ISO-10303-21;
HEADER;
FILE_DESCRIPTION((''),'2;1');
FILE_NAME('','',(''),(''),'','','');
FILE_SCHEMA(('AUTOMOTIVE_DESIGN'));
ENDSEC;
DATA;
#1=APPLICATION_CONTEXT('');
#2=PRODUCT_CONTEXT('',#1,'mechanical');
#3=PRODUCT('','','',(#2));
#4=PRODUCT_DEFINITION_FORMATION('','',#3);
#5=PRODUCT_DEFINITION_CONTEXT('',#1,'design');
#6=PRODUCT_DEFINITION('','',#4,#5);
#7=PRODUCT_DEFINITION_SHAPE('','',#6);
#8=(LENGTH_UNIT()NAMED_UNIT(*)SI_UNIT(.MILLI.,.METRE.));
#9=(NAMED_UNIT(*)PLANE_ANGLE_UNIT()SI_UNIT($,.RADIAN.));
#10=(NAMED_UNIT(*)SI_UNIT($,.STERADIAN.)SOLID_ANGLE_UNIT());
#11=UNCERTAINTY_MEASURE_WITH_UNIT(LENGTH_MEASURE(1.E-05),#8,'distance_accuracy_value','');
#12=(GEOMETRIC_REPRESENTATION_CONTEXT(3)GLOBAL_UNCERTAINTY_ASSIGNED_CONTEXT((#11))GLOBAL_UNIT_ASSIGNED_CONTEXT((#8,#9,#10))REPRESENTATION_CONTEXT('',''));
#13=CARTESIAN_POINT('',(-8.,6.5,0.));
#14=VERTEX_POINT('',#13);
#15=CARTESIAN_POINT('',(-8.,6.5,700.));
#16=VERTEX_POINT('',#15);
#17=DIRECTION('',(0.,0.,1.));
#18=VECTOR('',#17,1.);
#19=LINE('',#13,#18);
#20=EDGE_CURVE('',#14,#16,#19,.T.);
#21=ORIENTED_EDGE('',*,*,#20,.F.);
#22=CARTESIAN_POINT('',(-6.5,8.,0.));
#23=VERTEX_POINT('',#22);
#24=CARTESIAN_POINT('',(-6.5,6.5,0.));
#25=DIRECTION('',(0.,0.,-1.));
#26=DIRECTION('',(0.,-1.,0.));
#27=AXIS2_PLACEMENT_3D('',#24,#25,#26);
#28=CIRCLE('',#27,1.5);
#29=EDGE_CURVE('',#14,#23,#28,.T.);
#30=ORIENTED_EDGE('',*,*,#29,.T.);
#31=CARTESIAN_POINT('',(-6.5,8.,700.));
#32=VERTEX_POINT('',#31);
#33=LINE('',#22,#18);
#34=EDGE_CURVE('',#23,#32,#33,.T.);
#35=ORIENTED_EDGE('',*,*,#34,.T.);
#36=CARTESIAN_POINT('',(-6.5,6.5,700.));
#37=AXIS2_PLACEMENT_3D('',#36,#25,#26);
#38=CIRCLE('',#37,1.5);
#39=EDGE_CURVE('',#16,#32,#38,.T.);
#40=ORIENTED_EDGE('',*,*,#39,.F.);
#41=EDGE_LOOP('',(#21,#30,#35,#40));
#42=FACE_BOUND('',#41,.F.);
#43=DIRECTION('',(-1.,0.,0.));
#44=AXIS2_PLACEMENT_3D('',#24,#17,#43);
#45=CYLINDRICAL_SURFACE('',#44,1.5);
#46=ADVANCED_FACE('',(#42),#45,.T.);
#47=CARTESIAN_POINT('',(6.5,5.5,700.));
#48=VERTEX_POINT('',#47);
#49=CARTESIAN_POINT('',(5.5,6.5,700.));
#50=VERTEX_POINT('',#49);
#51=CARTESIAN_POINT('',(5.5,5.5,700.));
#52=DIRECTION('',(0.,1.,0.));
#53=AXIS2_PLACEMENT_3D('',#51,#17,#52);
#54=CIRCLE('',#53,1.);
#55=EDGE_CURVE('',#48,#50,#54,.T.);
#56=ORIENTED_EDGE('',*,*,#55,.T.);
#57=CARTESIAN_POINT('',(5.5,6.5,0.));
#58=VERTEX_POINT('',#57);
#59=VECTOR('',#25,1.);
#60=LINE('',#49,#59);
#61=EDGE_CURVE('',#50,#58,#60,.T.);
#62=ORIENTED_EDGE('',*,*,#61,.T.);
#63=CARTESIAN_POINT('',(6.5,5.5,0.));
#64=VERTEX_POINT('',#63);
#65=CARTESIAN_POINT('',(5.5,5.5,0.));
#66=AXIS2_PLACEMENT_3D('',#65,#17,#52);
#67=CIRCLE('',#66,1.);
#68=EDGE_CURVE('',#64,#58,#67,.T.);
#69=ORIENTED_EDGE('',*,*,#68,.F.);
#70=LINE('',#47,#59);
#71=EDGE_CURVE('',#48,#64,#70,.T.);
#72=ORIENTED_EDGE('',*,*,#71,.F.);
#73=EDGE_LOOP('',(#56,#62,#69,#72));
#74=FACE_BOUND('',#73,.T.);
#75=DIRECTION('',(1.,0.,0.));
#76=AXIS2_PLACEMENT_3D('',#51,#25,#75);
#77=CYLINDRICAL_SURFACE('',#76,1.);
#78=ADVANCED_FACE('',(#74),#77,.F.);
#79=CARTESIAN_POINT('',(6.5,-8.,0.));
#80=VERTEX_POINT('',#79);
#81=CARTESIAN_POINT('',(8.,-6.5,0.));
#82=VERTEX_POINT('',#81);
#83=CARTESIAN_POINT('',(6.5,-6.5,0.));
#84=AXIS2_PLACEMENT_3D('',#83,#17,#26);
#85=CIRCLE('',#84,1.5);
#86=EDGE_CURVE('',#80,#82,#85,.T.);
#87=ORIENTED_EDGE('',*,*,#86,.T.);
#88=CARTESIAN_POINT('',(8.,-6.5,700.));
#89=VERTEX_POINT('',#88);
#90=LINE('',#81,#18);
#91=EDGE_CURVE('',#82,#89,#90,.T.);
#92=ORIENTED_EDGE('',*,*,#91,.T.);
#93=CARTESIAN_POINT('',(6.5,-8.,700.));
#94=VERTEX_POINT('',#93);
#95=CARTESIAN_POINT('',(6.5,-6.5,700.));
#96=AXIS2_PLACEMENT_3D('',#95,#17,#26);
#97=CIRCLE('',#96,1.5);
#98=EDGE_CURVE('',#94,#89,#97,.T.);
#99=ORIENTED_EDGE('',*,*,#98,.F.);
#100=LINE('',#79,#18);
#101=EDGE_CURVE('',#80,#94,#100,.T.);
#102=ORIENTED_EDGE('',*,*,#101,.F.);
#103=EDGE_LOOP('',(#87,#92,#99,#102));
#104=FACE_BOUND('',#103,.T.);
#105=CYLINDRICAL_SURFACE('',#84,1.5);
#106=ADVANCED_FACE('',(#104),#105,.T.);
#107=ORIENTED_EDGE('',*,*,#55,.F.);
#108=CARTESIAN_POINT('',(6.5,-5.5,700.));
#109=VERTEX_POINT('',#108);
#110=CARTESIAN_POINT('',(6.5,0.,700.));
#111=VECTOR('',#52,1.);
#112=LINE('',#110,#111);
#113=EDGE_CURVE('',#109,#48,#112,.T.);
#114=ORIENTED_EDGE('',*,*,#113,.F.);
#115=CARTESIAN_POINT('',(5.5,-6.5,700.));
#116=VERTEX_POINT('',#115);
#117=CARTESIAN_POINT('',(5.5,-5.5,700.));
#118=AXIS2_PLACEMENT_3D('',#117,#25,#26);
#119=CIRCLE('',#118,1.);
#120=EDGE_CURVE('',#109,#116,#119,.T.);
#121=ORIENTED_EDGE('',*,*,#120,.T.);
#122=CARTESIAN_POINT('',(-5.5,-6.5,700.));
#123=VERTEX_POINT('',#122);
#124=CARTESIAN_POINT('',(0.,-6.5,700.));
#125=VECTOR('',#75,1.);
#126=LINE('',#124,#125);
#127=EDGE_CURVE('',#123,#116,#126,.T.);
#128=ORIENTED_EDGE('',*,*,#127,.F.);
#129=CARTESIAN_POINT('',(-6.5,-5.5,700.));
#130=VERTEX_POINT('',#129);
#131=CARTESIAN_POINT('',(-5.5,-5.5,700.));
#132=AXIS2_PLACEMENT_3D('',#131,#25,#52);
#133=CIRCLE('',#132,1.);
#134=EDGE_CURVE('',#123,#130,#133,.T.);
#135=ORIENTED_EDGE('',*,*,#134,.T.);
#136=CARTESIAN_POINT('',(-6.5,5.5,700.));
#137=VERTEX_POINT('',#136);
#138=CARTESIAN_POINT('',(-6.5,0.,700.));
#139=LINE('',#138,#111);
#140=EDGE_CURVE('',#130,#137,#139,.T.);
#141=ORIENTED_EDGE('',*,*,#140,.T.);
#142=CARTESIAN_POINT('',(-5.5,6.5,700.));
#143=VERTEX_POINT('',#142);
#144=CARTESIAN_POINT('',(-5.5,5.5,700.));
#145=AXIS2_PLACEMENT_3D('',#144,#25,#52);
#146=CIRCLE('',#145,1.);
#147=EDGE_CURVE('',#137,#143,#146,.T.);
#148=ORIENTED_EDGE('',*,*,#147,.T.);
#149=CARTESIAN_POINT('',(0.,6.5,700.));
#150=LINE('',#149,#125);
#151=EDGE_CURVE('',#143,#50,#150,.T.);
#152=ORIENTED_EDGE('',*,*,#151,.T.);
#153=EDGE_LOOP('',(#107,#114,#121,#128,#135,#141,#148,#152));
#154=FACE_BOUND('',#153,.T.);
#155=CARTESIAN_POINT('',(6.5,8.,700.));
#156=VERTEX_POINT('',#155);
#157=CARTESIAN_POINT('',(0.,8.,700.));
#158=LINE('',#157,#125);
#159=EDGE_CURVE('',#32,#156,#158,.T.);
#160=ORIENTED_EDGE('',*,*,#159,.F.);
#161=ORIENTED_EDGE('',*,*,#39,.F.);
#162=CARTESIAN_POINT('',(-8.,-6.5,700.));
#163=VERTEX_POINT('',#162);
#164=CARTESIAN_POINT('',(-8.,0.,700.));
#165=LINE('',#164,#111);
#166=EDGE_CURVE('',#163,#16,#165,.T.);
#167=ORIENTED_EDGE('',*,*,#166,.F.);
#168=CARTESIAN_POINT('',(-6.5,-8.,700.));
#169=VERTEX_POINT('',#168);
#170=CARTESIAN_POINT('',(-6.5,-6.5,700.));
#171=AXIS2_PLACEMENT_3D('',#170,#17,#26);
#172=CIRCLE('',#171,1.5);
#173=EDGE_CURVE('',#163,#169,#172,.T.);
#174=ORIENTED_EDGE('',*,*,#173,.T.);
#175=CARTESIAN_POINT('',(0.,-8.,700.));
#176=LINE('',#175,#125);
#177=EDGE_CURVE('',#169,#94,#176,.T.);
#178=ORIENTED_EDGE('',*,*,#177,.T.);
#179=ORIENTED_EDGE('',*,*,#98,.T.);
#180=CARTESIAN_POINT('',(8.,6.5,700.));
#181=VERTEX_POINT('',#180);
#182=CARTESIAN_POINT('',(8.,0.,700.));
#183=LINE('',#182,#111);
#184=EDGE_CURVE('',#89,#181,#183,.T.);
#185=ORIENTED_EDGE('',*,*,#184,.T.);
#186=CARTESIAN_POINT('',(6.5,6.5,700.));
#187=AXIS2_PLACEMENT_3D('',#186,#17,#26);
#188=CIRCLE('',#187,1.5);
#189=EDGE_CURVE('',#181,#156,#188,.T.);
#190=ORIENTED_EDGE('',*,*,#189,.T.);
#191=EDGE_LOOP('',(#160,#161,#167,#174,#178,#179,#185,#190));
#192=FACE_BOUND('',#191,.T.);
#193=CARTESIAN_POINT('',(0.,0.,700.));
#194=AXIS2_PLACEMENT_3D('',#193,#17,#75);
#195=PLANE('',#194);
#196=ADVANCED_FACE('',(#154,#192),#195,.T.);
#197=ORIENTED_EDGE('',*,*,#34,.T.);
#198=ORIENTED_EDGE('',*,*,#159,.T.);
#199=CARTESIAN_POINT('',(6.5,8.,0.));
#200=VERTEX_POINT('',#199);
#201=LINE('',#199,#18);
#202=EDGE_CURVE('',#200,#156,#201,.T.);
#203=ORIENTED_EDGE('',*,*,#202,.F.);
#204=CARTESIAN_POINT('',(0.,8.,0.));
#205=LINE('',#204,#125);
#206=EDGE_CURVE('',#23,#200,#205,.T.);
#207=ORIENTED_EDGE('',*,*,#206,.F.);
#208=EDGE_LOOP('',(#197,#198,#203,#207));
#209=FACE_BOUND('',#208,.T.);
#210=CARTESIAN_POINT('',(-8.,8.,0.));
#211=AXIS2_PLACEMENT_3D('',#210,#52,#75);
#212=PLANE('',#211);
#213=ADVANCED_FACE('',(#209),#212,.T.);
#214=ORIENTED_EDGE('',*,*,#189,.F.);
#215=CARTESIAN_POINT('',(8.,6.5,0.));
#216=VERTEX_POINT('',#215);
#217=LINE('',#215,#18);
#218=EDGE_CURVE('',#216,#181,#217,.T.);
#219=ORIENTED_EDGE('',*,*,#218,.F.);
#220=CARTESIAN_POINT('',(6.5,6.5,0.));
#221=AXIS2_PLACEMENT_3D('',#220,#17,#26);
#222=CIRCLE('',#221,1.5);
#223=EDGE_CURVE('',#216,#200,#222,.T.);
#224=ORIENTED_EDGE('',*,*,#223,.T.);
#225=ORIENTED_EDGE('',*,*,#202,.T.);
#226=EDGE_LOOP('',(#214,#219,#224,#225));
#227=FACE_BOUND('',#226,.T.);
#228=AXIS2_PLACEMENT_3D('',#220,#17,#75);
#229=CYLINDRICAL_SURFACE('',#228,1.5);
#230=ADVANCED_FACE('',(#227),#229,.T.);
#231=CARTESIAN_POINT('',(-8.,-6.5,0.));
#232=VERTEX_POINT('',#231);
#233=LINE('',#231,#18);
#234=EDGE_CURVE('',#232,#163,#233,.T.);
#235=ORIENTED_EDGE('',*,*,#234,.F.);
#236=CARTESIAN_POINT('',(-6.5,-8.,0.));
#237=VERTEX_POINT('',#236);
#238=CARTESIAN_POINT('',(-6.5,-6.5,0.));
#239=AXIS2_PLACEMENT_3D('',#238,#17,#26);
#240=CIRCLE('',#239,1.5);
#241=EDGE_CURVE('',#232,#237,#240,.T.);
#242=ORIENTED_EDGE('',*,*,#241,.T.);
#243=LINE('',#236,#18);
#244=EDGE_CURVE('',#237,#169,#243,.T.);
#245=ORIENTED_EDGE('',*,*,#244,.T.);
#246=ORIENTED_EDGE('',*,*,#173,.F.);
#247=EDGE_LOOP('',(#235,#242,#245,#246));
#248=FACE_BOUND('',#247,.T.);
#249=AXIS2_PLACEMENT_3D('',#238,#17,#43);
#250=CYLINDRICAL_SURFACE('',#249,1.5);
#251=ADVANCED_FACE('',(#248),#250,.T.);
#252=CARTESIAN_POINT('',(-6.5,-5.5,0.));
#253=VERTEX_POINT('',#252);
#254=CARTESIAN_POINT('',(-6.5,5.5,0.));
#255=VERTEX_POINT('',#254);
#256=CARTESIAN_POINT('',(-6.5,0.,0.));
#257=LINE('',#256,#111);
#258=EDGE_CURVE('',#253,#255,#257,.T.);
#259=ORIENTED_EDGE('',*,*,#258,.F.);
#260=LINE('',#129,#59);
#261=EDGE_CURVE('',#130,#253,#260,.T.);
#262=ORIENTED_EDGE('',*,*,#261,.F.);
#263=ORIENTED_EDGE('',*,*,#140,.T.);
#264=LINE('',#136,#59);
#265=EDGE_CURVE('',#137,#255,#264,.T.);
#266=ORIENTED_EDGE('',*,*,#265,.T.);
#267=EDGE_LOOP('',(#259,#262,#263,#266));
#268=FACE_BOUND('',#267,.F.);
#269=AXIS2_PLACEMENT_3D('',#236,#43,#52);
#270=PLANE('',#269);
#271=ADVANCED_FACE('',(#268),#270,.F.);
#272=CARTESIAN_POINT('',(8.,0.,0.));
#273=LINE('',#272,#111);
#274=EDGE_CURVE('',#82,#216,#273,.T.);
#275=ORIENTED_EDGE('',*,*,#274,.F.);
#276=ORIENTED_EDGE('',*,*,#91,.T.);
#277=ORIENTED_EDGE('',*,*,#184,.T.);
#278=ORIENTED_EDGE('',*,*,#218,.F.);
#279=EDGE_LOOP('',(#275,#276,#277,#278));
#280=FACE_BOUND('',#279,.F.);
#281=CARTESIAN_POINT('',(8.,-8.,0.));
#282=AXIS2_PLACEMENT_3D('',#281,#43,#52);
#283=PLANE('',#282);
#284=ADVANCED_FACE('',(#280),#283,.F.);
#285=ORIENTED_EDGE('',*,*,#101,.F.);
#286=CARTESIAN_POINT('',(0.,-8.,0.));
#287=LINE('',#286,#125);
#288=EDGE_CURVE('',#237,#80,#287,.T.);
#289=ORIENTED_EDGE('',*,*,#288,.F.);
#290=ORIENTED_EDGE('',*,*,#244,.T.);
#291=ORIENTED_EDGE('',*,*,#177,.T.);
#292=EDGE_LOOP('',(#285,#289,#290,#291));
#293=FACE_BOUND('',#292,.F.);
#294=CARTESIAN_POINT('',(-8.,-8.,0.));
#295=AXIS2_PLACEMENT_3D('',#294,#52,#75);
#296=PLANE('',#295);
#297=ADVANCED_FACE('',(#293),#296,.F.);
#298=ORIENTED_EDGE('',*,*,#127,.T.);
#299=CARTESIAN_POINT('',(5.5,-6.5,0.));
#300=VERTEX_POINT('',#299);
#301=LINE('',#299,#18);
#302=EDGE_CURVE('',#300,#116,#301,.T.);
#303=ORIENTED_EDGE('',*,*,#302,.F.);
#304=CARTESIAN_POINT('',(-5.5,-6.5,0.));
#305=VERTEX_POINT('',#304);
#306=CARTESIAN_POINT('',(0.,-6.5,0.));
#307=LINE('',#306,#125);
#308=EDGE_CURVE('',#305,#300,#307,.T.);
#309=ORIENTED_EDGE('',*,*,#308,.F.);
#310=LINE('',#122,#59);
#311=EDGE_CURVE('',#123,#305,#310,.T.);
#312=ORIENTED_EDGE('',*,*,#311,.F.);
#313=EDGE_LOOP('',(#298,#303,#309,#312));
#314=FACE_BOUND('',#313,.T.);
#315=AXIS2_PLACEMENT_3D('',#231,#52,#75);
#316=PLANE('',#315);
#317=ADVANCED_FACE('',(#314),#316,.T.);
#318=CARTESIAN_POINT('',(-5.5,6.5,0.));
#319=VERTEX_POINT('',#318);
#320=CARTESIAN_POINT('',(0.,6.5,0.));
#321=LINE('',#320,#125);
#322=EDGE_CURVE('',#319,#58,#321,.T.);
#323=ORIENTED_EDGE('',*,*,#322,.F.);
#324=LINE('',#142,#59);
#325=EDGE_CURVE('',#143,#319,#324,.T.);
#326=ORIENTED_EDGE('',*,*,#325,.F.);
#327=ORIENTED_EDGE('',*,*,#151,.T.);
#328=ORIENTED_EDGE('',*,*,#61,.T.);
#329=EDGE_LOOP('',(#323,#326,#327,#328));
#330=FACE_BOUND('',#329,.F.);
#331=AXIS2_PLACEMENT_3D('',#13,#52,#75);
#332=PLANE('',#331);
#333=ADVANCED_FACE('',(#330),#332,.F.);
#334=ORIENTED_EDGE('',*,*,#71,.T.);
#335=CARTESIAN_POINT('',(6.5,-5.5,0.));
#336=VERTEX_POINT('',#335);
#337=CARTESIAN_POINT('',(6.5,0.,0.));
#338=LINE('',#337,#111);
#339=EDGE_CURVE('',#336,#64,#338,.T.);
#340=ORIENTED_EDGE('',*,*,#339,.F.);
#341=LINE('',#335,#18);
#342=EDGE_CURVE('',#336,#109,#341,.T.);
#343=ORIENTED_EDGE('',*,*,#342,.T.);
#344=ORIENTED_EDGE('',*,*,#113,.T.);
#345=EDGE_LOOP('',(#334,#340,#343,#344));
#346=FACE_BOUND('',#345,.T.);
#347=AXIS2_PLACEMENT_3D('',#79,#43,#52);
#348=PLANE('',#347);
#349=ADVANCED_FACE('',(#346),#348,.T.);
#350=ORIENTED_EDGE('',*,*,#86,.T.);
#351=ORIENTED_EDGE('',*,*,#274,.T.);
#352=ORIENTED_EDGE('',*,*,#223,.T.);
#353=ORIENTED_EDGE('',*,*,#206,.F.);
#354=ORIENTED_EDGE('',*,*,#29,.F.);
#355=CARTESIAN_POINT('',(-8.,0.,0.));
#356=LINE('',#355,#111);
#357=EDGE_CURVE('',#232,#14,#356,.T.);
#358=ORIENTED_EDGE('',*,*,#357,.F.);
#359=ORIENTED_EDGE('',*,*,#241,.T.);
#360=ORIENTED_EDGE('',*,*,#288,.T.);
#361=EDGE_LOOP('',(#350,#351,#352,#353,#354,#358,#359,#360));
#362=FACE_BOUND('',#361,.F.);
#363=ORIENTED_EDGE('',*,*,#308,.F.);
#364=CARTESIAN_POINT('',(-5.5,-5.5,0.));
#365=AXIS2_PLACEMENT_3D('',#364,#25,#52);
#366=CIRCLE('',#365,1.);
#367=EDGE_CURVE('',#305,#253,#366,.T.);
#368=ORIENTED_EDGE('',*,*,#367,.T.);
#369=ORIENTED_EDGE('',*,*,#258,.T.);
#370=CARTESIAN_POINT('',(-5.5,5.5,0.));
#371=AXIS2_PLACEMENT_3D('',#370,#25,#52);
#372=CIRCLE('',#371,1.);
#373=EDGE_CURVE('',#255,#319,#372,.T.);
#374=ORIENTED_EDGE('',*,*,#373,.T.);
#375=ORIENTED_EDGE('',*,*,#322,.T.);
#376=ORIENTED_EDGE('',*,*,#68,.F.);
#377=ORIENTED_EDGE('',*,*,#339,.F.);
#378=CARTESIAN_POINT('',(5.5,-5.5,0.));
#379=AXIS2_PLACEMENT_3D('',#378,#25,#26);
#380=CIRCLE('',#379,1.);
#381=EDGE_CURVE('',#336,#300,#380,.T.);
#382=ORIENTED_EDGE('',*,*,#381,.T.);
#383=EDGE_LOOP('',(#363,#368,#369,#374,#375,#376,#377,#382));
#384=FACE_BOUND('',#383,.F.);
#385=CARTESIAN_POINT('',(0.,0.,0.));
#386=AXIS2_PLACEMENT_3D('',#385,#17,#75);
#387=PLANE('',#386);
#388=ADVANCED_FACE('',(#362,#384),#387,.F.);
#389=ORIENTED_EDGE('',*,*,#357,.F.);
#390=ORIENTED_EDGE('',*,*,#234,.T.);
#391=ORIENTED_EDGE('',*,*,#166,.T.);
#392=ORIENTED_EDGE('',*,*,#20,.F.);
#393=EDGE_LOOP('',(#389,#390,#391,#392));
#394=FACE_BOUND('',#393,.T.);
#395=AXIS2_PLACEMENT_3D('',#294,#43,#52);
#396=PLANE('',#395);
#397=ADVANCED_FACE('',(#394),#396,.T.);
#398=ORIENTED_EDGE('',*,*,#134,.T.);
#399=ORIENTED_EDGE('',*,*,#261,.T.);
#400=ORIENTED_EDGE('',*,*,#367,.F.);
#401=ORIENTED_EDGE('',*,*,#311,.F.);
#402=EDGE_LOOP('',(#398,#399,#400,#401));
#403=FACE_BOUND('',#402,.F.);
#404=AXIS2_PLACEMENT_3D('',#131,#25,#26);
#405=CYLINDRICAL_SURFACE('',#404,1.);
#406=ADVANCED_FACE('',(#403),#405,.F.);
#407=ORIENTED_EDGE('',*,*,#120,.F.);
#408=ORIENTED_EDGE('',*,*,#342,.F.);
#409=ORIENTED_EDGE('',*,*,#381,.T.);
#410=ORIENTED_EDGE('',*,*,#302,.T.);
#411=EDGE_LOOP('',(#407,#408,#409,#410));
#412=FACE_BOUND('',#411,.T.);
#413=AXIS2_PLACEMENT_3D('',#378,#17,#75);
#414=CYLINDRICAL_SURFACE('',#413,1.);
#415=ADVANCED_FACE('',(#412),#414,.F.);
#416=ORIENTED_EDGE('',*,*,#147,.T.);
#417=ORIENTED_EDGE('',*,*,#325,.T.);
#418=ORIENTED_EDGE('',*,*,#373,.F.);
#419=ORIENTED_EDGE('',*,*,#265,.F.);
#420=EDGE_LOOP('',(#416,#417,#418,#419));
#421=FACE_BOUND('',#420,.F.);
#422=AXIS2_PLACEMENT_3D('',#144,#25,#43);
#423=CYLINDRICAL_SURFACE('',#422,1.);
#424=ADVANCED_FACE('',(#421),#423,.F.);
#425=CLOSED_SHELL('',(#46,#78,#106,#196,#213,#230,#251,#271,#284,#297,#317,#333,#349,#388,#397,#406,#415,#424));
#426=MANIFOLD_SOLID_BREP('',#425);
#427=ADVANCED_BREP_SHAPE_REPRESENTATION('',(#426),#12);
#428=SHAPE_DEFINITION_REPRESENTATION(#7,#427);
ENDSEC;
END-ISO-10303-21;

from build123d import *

# Parameters (mm, degrees)
F0_W     = 16
F0_H     = 16
F1_DEPTH = 700
F2_T     = -1.5
F3_R     = 1.5
F4_R     = 1


with BuildPart() as f1:
    # F0 (on Top) → F1 (new body)
    with BuildSketch(Plane.XY):
        Rectangle(F0_W, F0_H)
    extrude(amount=F1_DEPTH)

    # F2
    f2_openings = [f1.faces().sort_by_distance(p)[0] for p in [
        (0, 0, 700),
        (0, 0, 0),
    ]]
    offset(amount=F2_T, openings=f2_openings)

    # F3
    f3_edges = [f1.edges().sort_by_distance(p)[0] for p in [
        (-8, 8, 350),
        (8, 8, 350),
        (8, -8, 350),
        (-8, -8, 350),
    ]]
    fillet(f3_edges, radius=F3_R)

    # F4
    f4_edges = [f1.edges().sort_by_distance(p)[0] for p in [
        (6.5, 6.5, 350),
        (-6.5, 6.5, 350),
        (-6.5, -6.5, 350),
        (6.5, -6.5, 350),
    ]]
    fillet(f4_edges, radius=F4_R)


solid = f1.part
